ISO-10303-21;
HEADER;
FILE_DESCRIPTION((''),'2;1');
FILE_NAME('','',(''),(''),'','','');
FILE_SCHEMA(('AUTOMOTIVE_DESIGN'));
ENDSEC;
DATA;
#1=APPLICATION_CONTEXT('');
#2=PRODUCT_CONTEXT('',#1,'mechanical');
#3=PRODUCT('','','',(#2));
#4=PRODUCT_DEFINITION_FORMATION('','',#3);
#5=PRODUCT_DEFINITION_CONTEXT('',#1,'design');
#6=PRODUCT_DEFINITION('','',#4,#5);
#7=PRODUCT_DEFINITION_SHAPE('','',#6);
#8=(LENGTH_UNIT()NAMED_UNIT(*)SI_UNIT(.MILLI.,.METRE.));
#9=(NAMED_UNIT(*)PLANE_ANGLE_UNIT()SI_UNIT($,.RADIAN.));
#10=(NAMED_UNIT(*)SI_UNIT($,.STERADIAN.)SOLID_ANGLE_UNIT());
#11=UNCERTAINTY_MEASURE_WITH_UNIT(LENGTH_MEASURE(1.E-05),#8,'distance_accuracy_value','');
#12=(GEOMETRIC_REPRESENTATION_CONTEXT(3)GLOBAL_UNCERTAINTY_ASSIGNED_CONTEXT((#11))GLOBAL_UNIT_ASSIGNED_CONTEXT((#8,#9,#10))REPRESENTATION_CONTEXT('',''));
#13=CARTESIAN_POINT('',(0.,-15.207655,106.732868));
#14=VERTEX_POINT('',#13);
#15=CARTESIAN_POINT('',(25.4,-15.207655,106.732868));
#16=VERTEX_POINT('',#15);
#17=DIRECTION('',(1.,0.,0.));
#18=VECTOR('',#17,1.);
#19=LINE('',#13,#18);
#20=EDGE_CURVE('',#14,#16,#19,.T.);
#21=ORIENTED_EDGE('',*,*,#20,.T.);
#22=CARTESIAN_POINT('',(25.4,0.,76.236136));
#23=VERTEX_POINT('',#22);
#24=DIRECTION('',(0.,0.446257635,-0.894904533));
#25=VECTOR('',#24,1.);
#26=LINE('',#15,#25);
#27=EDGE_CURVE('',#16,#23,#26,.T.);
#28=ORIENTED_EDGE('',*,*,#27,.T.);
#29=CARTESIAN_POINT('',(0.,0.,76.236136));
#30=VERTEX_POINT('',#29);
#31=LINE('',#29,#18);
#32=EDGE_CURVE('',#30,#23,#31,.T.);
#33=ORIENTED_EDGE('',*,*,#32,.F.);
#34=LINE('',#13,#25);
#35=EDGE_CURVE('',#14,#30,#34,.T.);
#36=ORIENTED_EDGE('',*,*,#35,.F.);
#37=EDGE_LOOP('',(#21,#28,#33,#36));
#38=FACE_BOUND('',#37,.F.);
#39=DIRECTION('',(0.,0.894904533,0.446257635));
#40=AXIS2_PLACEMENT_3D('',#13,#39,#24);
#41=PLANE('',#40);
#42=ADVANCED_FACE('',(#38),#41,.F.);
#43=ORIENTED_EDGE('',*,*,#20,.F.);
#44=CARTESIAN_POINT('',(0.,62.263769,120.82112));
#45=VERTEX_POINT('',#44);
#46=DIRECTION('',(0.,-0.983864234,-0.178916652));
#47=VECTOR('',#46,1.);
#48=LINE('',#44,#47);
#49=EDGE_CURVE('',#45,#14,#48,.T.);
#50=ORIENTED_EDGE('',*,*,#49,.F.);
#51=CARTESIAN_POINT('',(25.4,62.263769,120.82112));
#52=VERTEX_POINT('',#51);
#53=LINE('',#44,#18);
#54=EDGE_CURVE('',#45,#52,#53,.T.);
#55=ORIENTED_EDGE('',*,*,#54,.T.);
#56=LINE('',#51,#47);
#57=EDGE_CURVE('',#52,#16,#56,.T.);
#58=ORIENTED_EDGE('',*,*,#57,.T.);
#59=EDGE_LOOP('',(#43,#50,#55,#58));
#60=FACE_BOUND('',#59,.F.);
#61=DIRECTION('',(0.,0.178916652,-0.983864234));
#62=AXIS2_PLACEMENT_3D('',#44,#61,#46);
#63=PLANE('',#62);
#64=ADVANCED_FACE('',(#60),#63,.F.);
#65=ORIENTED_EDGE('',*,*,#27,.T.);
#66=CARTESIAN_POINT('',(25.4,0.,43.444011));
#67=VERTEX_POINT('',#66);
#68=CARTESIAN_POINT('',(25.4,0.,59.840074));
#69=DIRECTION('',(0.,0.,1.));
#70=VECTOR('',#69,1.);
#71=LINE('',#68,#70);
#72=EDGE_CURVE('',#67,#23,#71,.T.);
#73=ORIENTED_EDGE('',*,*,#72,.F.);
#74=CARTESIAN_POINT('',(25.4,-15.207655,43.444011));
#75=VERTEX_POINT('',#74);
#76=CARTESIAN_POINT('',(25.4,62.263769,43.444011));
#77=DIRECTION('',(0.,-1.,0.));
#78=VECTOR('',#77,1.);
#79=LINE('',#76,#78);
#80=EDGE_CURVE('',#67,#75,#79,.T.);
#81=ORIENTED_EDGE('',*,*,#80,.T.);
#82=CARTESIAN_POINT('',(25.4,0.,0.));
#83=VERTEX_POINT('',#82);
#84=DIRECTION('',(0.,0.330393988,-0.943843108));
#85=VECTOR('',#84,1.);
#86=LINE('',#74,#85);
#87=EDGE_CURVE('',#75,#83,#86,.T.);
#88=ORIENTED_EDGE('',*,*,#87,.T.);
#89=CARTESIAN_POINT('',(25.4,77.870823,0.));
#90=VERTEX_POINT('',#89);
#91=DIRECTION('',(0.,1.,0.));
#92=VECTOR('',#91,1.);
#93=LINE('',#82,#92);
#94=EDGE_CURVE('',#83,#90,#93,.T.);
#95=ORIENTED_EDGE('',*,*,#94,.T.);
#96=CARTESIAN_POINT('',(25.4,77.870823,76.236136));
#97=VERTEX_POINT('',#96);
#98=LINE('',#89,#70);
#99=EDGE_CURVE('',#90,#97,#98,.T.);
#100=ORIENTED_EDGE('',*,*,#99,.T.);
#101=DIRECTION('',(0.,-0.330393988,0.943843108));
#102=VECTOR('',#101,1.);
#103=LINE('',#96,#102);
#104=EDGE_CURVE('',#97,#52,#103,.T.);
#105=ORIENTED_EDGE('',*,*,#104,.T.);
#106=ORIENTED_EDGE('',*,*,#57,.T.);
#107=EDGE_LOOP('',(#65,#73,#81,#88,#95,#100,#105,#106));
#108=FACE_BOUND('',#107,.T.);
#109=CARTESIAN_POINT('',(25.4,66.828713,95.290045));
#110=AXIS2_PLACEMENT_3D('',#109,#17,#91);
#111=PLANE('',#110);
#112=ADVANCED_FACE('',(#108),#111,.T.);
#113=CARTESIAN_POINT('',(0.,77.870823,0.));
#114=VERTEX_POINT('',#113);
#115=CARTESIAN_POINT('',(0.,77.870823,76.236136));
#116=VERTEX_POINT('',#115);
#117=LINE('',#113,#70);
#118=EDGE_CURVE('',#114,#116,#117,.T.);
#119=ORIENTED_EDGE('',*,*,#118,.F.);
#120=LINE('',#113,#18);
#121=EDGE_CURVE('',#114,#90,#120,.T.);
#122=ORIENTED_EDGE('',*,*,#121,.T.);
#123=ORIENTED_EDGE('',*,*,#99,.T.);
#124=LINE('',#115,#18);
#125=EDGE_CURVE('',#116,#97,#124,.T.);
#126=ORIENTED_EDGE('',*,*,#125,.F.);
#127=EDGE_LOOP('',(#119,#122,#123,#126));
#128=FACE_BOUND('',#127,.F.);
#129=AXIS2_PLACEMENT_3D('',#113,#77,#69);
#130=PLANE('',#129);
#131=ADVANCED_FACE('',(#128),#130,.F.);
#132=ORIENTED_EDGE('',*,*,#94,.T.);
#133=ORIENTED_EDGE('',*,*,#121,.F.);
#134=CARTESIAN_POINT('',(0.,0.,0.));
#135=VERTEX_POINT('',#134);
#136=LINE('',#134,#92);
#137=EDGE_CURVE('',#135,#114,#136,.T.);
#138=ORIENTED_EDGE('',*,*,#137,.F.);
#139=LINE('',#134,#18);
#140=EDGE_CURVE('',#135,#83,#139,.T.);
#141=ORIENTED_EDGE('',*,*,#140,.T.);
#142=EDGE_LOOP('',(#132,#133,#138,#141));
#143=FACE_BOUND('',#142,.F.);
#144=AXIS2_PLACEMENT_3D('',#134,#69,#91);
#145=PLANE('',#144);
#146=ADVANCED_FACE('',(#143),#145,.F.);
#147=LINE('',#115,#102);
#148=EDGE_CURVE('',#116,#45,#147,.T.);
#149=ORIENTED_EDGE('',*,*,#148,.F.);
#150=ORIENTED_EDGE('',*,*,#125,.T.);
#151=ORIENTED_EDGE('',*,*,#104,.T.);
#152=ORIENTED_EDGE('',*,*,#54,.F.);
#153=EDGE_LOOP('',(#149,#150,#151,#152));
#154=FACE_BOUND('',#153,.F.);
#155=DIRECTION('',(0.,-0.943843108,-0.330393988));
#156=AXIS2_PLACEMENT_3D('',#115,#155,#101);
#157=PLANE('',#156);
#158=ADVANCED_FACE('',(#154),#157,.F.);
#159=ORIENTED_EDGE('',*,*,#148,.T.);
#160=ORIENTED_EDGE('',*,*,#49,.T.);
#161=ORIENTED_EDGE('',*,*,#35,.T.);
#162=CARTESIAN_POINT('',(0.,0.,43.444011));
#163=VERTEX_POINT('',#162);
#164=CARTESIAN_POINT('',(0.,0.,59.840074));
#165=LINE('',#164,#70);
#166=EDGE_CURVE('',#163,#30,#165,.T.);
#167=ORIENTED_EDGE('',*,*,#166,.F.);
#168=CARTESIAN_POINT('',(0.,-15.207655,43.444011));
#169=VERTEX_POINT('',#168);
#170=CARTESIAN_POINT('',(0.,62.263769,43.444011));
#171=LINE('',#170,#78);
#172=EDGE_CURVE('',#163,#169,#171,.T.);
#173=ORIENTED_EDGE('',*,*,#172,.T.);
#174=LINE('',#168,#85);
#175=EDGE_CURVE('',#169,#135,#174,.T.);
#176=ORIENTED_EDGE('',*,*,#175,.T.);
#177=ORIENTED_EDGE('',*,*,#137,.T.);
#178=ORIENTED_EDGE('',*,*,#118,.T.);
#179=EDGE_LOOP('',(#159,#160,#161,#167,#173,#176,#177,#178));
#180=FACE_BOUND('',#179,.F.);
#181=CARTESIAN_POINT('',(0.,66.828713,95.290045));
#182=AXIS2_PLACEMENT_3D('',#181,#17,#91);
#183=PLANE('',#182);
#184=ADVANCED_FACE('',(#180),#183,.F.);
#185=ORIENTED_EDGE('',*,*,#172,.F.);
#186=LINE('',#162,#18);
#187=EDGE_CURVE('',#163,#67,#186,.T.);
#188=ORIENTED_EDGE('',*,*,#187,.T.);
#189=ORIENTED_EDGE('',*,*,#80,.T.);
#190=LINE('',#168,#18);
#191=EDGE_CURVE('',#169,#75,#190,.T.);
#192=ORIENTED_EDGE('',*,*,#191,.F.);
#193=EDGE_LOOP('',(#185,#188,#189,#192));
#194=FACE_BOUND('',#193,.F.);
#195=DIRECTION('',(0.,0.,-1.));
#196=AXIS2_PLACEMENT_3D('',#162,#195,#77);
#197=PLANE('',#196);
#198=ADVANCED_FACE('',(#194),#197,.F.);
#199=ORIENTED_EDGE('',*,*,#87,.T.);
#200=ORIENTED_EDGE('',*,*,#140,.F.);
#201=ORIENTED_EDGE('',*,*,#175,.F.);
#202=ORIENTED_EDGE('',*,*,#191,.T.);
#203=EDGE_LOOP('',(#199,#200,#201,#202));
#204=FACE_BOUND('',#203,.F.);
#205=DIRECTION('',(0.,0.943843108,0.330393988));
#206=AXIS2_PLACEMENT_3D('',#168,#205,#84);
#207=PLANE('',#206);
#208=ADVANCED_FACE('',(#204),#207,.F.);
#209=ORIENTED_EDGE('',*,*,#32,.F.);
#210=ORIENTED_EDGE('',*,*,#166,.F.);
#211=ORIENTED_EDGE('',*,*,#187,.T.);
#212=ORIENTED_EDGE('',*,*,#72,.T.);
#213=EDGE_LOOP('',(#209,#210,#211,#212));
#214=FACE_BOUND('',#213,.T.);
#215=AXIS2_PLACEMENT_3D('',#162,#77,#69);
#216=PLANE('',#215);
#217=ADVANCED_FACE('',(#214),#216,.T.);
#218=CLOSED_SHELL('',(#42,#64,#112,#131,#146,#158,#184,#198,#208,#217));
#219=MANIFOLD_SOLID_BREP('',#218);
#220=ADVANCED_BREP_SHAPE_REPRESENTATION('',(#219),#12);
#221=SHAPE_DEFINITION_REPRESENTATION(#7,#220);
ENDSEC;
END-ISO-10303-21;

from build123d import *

# Parameters (mm, degrees)
F0_W     = 62.2637691406
F0_H     = 32.7921248972
F1_DEPTH = 25.4


with BuildPart() as f1:
    # F0 (on Right) → F1 (new body)
    with BuildSketch(Plane.YZ):
        Polygon((62.2637691406, 76.2361362576), (77.8708234429, 76.2361362576), (62.2637691406, 120.8211201676), align=None)
        Polygon((-15.2076547965, 43.4440113604), (0, 0), (0, 43.4440113604), align=None)
        Polygon((0, 43.4440113604), (0, 0), (77.8708234429, 0), (62.2637691406, 43.4440113604), align=None)
        Polygon((62.2637691406, 43.4440113604), (77.8708234429, 0), (77.8708234429, 76.2361362576), (62.2637691406, 76.2361362576), align=None)
        Polygon((-15.2076547965, 106.7328676581), (0, 76.2361362576), (62.2637691406, 76.2361362576), (62.2637691406, 120.8211201676), align=None)
        with Locations((31.1318845703, 59.840073809)):
            Rectangle(F0_W, F0_H)
    extrude(amount=F1_DEPTH)


solid = f1.part
